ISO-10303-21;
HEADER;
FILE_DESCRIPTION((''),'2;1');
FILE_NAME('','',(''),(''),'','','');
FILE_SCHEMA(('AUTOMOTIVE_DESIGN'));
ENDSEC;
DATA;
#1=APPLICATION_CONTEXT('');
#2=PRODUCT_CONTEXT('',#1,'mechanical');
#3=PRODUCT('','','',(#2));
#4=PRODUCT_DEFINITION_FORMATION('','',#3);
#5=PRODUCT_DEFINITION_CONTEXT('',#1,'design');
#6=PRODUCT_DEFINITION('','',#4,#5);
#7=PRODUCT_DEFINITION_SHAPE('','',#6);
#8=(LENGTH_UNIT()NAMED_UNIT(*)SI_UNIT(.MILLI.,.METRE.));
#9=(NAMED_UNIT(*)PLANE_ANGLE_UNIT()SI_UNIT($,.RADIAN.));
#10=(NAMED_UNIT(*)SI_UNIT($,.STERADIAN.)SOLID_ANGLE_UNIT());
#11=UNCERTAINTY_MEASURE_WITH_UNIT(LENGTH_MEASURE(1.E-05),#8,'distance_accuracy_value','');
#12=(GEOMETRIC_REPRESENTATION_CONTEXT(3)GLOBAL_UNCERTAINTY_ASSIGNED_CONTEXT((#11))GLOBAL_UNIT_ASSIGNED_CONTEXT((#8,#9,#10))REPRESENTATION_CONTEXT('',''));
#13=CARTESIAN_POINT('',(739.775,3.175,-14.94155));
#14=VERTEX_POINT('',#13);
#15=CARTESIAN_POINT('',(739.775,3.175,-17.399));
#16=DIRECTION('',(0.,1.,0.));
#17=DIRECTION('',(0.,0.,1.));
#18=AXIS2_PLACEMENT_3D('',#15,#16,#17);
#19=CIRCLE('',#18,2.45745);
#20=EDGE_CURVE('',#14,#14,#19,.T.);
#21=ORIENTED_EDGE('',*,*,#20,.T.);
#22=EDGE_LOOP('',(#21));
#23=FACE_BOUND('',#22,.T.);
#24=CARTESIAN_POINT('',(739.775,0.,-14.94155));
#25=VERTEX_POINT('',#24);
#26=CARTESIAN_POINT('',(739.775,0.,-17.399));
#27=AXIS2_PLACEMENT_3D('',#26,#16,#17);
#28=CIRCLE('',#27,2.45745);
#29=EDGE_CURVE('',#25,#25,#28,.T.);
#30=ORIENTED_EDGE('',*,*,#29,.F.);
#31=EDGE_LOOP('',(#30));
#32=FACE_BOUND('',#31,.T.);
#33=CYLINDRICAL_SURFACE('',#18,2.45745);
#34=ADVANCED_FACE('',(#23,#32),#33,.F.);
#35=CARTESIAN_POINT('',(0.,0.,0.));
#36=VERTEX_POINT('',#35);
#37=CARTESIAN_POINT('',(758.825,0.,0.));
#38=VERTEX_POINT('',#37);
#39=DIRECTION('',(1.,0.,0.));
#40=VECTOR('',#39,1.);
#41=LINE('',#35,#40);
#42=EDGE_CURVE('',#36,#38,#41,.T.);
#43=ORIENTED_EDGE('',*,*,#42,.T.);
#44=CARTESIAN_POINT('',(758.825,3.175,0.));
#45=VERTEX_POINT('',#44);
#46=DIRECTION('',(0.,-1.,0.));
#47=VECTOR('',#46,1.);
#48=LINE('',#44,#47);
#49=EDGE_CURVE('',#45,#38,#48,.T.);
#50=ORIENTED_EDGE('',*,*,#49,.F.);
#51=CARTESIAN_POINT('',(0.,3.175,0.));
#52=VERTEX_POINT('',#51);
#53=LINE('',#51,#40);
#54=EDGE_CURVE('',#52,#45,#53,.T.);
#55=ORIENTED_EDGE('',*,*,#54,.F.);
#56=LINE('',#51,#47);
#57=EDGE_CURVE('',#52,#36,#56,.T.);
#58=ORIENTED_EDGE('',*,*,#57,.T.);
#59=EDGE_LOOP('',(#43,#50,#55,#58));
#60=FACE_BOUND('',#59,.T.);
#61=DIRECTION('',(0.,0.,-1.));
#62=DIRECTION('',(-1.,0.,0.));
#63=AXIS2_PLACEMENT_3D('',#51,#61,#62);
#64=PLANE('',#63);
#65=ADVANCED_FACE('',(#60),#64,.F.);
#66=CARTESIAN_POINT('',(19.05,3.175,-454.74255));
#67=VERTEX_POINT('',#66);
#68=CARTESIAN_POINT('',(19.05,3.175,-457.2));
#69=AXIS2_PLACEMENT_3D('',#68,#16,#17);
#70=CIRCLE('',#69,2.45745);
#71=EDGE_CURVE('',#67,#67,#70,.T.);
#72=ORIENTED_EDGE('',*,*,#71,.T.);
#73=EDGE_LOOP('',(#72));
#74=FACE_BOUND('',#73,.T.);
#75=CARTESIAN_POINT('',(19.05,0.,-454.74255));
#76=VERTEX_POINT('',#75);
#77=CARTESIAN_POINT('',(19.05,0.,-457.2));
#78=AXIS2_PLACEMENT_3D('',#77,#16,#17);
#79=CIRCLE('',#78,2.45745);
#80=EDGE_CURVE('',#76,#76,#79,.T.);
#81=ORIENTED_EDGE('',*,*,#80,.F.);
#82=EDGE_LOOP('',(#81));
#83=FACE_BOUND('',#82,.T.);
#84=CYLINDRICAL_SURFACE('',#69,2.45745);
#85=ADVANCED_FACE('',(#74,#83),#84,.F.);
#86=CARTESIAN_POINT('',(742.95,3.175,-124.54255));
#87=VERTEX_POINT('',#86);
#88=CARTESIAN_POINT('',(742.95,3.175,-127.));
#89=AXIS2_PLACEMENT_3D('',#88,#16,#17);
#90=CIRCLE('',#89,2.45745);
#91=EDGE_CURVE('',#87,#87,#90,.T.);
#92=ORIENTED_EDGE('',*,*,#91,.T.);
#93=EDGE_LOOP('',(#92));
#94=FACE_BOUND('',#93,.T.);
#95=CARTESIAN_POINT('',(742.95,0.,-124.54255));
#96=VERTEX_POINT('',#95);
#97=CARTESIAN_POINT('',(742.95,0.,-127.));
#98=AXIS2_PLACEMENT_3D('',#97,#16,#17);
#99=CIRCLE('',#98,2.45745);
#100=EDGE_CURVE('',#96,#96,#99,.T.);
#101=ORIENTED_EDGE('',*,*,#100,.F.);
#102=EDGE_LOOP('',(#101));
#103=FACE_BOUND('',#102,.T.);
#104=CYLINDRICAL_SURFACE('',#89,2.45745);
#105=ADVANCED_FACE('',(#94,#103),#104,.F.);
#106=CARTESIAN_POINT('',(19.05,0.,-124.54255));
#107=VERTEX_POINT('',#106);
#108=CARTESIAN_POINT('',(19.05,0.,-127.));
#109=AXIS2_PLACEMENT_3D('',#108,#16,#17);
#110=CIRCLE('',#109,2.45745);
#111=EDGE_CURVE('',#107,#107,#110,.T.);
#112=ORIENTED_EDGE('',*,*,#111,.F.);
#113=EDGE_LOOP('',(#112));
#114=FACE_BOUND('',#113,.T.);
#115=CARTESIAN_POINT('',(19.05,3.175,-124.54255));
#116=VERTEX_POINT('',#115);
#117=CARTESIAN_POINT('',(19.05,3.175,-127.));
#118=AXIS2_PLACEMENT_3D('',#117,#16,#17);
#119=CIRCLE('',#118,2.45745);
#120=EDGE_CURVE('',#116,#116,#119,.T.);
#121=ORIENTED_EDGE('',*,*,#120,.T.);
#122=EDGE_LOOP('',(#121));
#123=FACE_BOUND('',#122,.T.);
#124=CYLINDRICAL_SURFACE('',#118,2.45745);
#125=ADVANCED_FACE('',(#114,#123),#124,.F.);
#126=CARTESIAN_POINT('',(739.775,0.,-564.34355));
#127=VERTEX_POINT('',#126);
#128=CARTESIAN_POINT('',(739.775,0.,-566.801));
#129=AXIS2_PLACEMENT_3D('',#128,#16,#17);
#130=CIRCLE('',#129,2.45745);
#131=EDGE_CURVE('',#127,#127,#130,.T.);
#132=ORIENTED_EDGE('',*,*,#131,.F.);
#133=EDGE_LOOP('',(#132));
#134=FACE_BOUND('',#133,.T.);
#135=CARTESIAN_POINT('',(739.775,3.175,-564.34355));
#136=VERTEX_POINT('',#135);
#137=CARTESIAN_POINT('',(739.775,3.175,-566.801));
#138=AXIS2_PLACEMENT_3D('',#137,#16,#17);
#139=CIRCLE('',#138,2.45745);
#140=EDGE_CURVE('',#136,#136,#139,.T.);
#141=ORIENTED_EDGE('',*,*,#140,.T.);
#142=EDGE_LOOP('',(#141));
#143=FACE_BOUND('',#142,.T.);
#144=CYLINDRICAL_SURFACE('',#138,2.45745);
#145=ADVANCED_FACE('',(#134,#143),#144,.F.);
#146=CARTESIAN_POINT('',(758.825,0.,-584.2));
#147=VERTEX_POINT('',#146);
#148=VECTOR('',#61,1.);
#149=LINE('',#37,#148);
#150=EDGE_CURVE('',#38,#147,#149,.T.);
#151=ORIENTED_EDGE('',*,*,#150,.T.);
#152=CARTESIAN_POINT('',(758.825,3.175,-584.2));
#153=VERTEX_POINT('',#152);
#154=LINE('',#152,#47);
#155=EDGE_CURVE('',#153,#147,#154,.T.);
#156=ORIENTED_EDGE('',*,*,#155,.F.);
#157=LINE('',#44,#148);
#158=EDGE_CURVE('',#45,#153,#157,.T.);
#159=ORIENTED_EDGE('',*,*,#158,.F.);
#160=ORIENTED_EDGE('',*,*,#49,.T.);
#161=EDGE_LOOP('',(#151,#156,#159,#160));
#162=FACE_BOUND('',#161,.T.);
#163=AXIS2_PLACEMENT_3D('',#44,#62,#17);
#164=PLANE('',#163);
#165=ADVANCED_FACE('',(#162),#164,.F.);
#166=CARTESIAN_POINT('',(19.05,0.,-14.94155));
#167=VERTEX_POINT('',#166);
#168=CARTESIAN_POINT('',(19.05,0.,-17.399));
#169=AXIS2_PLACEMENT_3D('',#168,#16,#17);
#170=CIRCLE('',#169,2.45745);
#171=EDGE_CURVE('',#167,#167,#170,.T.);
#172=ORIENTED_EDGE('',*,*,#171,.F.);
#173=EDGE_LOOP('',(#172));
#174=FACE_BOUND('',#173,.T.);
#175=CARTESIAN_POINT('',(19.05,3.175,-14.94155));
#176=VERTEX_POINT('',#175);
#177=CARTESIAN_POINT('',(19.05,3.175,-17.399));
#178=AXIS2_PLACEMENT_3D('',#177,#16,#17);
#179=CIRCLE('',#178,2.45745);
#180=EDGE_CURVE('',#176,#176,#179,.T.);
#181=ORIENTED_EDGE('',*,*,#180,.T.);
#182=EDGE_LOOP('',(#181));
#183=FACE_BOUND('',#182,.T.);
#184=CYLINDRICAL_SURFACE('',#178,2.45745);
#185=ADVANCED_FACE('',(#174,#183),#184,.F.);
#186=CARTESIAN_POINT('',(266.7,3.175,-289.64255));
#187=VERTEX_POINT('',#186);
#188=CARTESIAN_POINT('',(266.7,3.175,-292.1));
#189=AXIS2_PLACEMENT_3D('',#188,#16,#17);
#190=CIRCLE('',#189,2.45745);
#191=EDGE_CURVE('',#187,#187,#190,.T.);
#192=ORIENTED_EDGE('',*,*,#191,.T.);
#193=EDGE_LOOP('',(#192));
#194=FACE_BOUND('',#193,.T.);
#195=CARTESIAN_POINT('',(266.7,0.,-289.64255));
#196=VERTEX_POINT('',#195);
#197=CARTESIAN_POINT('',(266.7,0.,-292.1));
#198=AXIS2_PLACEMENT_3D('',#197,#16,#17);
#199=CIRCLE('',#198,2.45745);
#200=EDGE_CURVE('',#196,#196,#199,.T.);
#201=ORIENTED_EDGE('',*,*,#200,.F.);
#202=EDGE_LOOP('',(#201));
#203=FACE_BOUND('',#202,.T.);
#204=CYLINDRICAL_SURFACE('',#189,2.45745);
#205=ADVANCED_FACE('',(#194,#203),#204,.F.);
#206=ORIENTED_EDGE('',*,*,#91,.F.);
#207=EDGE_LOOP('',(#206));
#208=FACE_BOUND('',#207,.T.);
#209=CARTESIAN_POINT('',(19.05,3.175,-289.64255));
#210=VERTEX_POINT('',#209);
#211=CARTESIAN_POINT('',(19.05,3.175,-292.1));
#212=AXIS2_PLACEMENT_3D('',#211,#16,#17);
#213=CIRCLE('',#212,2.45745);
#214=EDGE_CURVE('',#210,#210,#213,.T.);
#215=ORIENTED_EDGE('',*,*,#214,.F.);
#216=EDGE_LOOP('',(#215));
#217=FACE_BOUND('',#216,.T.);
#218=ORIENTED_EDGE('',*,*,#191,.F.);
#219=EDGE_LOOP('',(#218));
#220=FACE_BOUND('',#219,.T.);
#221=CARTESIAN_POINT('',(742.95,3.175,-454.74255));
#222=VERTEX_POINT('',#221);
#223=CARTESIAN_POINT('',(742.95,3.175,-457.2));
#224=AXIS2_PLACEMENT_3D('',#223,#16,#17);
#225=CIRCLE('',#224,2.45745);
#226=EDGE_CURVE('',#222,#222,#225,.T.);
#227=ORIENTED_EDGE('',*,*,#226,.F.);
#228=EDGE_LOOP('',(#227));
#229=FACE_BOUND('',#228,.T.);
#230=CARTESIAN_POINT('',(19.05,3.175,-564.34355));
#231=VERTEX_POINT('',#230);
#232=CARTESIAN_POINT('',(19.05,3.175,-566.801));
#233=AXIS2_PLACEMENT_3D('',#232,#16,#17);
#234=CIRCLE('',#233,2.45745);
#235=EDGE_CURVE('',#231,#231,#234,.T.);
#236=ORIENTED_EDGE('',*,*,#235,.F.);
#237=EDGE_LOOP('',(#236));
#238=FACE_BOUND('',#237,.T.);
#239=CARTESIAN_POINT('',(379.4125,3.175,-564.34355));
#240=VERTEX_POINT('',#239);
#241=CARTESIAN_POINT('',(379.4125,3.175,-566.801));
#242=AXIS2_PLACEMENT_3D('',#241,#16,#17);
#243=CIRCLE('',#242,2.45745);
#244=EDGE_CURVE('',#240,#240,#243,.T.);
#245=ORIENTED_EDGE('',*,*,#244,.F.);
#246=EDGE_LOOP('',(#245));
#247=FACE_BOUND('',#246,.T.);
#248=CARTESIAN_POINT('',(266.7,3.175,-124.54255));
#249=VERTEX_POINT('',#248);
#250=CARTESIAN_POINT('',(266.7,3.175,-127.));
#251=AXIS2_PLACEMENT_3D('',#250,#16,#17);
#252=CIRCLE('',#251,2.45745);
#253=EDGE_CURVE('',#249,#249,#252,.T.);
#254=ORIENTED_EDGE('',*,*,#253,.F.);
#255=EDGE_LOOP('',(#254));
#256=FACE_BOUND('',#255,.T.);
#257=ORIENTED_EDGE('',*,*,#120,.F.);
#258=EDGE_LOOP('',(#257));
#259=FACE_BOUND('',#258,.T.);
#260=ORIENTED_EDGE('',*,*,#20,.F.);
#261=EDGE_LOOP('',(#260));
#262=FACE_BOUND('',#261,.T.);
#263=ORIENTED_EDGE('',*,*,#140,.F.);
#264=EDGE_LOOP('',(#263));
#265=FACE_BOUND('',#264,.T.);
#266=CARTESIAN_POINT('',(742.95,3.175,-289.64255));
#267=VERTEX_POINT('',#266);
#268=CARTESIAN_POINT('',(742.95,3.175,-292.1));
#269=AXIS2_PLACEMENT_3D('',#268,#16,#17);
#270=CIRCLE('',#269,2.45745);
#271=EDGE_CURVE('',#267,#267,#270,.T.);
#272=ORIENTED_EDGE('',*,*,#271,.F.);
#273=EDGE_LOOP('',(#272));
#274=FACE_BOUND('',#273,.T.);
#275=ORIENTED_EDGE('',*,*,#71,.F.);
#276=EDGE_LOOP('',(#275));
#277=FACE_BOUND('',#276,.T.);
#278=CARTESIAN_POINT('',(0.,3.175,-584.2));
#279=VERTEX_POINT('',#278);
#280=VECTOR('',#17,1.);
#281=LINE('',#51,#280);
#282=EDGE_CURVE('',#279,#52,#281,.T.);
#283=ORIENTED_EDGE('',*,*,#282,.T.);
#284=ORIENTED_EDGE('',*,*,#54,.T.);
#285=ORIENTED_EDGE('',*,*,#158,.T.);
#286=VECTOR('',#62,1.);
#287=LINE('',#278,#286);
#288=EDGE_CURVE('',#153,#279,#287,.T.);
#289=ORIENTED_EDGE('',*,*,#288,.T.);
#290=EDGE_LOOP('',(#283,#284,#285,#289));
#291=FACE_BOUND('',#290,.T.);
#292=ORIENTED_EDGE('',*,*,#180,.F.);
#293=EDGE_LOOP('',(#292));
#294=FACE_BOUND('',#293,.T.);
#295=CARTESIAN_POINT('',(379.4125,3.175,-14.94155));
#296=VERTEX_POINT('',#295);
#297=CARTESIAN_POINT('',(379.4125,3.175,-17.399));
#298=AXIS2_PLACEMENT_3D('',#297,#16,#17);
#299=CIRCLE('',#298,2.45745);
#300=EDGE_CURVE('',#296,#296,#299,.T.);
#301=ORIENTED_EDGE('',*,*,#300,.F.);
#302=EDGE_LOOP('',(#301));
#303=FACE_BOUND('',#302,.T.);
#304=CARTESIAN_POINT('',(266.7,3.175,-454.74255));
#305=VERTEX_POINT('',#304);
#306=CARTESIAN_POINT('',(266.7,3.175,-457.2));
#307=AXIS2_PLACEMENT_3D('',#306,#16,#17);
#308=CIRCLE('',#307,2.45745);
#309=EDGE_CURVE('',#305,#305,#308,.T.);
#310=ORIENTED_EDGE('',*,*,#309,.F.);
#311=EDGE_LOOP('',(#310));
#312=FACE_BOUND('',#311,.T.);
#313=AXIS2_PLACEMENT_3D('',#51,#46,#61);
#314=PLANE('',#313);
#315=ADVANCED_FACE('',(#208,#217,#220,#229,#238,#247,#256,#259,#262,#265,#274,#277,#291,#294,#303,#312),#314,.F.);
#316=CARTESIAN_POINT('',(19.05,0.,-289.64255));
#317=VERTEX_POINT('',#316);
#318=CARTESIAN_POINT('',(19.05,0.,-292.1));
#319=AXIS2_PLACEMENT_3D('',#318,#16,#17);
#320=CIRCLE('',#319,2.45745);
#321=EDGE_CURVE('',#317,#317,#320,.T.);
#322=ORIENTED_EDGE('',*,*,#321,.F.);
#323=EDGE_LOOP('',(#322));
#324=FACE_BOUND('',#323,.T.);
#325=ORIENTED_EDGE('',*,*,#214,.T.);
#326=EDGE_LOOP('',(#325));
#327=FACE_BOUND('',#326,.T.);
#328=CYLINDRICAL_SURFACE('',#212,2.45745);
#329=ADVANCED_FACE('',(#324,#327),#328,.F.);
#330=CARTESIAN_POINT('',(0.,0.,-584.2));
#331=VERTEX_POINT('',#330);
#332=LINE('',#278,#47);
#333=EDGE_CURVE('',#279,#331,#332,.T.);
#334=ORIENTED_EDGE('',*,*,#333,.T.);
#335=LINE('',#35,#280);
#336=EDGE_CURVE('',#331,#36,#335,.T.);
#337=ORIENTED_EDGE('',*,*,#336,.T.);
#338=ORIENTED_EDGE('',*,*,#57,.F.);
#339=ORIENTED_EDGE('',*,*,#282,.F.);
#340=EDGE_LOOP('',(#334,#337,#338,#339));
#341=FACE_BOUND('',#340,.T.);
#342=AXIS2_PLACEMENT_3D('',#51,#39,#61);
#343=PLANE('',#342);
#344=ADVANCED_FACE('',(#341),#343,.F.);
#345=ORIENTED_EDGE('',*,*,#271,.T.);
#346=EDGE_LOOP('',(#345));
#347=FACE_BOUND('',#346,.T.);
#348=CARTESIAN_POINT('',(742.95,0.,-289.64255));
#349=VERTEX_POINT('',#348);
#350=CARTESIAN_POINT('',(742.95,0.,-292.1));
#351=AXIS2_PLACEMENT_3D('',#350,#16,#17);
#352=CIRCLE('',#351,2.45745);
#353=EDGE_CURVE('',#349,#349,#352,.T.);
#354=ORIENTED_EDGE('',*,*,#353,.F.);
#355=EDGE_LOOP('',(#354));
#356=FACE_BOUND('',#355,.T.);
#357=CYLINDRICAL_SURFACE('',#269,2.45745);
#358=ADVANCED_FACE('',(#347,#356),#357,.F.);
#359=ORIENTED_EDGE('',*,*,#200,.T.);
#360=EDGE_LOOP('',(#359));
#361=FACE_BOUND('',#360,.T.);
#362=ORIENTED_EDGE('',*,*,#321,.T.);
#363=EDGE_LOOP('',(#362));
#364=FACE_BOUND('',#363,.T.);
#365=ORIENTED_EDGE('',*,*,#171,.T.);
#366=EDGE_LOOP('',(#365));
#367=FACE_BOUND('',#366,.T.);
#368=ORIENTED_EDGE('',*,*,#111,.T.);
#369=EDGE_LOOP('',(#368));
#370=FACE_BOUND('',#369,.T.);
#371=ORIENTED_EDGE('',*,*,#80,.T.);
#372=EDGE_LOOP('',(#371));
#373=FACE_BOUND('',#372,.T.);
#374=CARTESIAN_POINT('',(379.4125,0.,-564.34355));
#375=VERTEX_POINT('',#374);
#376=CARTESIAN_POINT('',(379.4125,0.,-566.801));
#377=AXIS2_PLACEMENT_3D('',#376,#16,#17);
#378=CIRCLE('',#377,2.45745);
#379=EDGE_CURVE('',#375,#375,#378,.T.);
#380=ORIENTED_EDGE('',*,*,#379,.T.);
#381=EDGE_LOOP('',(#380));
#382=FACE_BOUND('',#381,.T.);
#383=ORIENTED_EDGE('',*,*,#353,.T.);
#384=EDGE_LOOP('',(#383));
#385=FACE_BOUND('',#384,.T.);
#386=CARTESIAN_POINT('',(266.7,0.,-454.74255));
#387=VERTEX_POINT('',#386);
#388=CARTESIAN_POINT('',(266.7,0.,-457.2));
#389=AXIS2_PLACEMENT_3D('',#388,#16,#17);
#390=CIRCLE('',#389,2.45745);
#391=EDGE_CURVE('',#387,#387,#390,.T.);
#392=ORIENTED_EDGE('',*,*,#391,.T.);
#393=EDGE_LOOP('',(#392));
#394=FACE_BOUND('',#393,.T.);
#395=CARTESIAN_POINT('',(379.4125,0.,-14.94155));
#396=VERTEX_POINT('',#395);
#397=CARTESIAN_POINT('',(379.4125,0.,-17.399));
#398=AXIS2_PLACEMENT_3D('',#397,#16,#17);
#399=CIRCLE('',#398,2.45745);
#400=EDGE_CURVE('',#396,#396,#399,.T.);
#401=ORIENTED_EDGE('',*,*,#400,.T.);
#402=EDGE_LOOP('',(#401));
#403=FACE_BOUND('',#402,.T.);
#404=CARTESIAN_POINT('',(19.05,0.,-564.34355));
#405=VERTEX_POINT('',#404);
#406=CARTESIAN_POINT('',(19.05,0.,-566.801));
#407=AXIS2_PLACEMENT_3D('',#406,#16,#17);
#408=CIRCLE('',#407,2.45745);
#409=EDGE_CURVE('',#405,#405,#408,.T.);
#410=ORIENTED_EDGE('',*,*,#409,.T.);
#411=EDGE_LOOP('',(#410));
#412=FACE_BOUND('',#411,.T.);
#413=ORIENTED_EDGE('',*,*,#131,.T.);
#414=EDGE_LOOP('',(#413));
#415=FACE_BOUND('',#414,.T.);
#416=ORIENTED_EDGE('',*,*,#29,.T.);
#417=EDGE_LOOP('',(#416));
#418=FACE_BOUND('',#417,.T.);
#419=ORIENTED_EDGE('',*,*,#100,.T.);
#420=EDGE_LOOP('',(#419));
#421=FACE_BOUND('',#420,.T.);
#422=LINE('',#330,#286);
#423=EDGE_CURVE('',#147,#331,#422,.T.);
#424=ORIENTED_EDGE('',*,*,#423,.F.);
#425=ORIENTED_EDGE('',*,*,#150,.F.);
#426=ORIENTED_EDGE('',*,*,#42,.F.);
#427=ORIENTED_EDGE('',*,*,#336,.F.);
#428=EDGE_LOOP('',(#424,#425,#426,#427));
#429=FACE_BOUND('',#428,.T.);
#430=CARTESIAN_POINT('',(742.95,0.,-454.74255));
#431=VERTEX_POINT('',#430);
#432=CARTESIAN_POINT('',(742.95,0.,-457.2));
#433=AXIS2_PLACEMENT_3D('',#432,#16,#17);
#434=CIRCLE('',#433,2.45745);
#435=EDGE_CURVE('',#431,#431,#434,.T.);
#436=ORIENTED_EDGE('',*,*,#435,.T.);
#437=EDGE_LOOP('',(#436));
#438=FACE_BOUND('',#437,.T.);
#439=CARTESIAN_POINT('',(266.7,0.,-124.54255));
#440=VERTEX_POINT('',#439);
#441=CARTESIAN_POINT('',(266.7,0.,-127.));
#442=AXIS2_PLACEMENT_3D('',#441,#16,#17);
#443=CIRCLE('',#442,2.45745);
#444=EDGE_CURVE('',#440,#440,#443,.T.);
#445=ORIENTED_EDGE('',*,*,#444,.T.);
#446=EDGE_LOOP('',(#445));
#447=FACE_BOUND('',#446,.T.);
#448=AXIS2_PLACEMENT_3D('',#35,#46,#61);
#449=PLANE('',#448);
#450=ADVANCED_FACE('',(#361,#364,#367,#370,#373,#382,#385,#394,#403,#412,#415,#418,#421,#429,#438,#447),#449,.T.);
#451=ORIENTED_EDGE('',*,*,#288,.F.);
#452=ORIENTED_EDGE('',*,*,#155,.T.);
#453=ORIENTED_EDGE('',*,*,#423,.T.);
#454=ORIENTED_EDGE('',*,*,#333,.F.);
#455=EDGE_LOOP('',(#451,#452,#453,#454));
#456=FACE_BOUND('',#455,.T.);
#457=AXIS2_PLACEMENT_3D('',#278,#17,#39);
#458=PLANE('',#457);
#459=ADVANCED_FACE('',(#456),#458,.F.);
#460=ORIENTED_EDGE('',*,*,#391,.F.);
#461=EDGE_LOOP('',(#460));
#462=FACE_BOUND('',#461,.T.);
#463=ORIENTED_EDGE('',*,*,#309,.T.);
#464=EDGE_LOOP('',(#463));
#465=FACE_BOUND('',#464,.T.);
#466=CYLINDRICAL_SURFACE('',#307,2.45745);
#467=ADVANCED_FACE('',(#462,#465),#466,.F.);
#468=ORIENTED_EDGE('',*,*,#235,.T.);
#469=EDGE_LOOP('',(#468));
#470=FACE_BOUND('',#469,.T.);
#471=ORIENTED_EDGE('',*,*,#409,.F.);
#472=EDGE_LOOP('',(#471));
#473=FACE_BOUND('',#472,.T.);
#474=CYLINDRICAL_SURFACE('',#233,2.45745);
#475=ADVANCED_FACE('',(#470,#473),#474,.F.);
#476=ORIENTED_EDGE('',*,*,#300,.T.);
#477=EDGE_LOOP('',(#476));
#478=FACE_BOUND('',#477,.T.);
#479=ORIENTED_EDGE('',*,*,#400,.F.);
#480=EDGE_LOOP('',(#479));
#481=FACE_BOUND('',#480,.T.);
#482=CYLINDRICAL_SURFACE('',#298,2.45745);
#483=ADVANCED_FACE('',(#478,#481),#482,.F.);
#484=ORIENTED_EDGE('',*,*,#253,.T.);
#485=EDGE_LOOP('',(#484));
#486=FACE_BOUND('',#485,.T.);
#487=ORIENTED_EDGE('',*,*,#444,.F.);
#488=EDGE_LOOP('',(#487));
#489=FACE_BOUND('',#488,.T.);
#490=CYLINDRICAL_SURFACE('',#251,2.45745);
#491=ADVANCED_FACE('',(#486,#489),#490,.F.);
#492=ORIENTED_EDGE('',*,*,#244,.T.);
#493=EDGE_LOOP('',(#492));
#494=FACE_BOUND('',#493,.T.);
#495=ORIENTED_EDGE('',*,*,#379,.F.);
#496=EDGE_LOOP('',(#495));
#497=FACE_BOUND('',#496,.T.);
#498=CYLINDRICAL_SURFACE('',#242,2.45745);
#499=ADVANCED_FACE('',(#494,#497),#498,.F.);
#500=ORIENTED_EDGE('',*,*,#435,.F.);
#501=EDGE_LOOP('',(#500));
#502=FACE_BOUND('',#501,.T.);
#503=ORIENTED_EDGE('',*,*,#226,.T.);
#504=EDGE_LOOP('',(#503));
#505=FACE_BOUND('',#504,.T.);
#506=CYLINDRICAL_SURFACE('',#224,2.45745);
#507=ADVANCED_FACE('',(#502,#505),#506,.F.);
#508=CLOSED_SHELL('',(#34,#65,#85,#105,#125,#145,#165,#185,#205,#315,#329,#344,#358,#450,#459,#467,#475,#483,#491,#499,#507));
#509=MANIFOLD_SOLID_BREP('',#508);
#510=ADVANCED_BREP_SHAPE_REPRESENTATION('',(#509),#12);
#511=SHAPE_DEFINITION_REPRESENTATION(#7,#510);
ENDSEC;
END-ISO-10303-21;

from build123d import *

# Parameters (mm, degrees)
SKETCH1_W                    = 758.825
SKETCH1_H                    = 584.2
BOSS_EXTRUDE1_DEPTH          = 3.175
F_10_0_1935_DIAMETER_HOLE2_D = 4.9149
F_10_0_1935_DIAMETER_HOLE3_D = 4.9149


with BuildPart() as part:
    # Sketch1 → Boss-Extrude1 (new body)
    with BuildSketch(Plane(origin=(0, 0, 0), x_dir=(1, 0, 0), z_dir=(0, 1, 0))):
        with Locations((379.4125, 292.1)):
            Rectangle(SKETCH1_W, SKETCH1_H)
    extrude(amount=BOSS_EXTRUDE1_DEPTH)

    # #10 (0.1935) Diameter Hole2 (through all)
    with Locations(Plane(origin=(0, 3.175, 0), x_dir=(1, 0, 0), z_dir=(0, 1, 0))):
        with Locations((19.05, 566.801), (739.775, 566.801), (19.05, 17.399), (739.775, 17.399), (379.4125, 566.801), (19.05, 292.1), (379.4125, 17.399), (742.95, 292.1), (19.05, 457.2), (19.05, 127), (742.95, 127), (742.95, 457.2)):
            Hole(F_10_0_1935_DIAMETER_HOLE2_D / 2)

    # #10 (0.1935) Diameter Hole3 (through all)
    with Locations(Plane(origin=(0, 3.175, 0), x_dir=(1, 0, 0), z_dir=(0, 1, 0))):
        with Locations((266.7, 292.1), (266.7, 127), (266.7, 457.2)):
            Hole(F_10_0_1935_DIAMETER_HOLE3_D / 2)


solid = part.part
